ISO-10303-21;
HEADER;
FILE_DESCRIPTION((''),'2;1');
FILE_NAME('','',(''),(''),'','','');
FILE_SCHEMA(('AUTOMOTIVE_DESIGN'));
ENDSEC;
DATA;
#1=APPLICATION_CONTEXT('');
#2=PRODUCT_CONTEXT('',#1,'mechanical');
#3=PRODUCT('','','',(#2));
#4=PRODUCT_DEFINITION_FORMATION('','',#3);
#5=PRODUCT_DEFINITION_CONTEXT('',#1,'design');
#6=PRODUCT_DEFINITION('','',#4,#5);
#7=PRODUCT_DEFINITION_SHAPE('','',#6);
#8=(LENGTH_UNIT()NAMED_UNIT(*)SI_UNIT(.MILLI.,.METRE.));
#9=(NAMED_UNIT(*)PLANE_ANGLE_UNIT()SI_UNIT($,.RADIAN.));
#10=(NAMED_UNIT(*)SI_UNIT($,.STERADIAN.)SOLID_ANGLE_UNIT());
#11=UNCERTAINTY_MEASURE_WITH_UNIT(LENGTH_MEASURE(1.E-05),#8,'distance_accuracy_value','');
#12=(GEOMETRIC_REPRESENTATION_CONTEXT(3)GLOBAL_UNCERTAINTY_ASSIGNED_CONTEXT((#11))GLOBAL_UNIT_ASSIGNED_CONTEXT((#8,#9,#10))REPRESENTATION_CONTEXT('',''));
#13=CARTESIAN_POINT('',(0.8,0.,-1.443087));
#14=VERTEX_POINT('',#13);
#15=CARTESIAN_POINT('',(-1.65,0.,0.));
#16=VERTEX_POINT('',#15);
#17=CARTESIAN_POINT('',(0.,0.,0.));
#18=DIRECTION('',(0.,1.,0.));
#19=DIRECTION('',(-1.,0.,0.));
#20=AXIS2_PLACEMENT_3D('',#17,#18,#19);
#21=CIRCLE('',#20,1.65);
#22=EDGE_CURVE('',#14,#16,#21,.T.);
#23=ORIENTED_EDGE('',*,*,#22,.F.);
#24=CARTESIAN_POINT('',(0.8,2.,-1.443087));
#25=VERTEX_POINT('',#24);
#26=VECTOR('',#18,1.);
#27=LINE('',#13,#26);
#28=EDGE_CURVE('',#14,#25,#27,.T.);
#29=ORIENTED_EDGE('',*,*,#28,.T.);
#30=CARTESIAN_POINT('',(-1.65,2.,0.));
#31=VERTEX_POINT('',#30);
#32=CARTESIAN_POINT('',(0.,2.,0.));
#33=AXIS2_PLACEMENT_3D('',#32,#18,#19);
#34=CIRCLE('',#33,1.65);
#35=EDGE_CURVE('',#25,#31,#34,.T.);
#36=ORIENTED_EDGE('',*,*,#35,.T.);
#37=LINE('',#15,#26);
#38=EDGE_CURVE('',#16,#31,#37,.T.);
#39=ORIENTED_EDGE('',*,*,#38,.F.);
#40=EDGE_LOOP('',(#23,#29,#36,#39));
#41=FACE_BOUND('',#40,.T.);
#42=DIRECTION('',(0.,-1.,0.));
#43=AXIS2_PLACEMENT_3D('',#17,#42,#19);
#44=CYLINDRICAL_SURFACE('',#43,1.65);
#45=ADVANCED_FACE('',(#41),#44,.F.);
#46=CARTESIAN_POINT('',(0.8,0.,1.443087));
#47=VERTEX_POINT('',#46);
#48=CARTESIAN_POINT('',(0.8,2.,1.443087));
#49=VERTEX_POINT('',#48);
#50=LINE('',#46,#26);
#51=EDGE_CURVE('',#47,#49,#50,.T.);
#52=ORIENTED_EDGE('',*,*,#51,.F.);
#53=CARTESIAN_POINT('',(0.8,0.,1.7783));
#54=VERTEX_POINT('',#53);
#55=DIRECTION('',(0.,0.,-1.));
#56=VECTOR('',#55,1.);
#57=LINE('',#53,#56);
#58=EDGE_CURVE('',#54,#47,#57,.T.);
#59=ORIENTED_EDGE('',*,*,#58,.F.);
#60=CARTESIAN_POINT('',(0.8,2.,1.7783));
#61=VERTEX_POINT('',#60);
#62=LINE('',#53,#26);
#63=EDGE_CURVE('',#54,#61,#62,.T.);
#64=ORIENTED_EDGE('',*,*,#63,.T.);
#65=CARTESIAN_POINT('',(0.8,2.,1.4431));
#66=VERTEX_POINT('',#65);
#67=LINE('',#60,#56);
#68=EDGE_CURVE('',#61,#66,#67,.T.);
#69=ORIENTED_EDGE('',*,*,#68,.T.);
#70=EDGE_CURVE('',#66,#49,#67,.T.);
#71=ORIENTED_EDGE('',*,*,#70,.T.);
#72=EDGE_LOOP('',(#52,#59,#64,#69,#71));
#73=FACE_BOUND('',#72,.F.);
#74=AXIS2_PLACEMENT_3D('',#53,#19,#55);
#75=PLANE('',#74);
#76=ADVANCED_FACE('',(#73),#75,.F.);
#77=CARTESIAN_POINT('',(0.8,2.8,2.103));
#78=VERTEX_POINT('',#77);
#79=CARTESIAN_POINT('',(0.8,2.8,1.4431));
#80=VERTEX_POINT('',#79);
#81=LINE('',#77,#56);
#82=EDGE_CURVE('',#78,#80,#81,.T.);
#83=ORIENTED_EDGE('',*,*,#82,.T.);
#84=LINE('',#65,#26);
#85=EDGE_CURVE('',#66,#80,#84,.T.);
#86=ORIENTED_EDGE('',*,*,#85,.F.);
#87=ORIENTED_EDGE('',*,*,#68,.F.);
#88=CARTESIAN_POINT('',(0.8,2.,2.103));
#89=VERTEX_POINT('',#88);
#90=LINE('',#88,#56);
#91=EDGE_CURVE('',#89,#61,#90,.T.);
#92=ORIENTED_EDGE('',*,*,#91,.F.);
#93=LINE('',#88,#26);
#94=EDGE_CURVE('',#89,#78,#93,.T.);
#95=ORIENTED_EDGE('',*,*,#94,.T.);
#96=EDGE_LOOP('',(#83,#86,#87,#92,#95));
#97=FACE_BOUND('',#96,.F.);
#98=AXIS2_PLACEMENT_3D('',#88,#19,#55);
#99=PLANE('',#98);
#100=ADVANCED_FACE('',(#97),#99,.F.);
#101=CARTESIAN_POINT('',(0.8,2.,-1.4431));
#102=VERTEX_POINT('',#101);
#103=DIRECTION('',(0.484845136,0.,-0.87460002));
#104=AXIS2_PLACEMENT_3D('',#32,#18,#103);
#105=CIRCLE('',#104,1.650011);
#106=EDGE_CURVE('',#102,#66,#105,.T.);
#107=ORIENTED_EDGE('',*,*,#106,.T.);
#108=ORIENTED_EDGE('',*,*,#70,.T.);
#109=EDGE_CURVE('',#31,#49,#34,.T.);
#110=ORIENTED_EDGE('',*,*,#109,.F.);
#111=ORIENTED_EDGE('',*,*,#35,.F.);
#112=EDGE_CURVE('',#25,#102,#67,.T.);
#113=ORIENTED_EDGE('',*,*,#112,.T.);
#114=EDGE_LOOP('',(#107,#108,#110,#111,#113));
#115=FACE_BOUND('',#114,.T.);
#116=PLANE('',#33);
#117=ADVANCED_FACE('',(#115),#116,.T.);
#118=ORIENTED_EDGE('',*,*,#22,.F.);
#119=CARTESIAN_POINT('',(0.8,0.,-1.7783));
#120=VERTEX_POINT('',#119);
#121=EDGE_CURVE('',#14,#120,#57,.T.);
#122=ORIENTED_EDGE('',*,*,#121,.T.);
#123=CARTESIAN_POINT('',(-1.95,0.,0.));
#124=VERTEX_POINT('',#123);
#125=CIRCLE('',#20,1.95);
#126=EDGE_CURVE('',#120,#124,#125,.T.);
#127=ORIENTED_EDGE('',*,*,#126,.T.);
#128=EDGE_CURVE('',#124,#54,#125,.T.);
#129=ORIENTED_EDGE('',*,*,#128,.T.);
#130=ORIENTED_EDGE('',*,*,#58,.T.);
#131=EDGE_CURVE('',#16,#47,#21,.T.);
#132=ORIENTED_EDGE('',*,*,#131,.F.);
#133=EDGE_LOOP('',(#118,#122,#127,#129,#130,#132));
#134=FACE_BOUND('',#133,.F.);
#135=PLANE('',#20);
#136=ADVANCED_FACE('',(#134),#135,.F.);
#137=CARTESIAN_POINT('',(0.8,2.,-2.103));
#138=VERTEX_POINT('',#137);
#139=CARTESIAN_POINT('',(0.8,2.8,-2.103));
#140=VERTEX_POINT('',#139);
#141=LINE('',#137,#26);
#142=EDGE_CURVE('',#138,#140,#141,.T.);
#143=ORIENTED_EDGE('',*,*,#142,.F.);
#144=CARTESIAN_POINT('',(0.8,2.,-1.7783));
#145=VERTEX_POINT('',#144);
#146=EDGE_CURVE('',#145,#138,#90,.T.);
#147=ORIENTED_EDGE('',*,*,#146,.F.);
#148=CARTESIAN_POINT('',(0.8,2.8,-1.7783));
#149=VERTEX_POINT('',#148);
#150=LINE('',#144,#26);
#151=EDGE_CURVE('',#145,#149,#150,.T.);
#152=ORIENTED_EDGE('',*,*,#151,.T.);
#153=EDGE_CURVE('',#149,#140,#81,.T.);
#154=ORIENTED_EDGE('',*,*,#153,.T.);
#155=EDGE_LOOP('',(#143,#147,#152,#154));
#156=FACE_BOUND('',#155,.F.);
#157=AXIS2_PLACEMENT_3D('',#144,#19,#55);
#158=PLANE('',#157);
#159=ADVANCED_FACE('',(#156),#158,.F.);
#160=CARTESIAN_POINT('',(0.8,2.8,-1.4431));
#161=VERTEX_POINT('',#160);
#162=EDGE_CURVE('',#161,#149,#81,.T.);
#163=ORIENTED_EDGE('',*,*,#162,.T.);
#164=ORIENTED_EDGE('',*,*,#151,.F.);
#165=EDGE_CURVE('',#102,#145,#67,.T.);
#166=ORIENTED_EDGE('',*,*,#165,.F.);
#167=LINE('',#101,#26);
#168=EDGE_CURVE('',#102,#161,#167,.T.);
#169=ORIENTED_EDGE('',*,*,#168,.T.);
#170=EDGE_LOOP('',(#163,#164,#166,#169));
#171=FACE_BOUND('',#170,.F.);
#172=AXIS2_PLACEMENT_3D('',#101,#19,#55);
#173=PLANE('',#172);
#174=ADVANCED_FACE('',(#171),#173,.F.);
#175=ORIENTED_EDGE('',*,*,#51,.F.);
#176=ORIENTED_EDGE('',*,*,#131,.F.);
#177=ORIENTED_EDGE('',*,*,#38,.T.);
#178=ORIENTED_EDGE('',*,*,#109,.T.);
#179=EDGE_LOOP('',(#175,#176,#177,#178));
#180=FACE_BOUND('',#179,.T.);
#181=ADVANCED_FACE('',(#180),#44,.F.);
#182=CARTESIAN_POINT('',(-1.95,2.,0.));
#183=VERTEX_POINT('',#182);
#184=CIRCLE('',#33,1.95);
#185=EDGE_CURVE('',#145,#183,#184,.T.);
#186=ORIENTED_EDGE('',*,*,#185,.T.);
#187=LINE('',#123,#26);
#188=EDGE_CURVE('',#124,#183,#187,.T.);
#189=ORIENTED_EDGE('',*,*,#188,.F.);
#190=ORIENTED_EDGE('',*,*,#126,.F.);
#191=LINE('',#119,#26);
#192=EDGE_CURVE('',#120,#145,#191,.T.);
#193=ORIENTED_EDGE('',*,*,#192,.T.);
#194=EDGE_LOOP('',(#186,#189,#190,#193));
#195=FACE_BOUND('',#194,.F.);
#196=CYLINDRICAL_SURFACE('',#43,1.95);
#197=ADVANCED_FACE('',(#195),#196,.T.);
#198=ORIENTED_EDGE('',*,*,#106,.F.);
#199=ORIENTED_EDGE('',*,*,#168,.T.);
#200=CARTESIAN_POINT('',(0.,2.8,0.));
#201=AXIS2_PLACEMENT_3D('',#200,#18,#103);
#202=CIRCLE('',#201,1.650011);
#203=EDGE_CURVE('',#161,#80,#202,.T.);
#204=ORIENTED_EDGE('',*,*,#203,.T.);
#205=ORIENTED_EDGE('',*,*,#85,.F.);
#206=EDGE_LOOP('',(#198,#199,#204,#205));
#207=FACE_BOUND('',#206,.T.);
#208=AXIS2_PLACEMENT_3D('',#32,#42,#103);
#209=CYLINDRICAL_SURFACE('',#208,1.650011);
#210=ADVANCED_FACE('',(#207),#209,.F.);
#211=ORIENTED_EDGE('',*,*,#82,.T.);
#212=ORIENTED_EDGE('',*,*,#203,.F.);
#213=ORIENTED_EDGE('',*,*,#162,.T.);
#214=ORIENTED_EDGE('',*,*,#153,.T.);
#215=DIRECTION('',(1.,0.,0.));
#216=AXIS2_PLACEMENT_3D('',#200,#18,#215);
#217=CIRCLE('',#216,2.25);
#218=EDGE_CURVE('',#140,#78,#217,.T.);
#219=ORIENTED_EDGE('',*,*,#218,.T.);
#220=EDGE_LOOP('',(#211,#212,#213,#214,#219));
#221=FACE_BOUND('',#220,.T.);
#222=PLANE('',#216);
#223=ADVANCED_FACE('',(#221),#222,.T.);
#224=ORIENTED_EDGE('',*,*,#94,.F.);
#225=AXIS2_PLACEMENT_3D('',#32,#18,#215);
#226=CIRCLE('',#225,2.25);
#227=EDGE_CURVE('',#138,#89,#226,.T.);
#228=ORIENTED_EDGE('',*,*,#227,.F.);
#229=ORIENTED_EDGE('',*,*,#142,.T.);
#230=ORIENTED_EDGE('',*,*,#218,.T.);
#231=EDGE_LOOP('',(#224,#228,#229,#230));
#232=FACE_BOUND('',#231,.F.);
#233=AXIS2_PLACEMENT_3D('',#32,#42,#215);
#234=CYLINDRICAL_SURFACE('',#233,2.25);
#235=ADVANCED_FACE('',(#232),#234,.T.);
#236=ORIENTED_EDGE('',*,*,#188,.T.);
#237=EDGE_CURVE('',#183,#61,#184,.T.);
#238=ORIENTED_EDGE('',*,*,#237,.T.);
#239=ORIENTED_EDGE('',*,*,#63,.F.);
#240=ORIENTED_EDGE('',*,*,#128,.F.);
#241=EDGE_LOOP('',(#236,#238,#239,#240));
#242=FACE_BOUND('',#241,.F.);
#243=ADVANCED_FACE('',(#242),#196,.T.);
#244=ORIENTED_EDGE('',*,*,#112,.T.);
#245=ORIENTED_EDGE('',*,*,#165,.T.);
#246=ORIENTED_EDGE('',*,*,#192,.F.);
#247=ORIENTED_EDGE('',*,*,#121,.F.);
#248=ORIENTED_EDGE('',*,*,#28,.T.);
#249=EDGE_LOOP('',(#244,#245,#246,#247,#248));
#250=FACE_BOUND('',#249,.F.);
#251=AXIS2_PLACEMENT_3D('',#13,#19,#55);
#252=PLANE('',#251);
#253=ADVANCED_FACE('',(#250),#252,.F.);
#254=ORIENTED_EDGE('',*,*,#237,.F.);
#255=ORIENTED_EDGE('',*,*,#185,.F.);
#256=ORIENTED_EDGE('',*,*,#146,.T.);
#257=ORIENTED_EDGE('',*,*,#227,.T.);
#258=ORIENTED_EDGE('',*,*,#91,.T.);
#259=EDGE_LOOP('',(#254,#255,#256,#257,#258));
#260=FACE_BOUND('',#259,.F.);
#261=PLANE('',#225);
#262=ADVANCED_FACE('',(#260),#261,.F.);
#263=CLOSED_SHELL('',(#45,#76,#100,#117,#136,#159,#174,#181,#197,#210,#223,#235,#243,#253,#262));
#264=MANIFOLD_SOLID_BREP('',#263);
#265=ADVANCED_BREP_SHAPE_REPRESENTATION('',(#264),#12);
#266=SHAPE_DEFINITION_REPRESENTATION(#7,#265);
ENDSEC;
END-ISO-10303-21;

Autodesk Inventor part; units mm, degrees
ref_plane "YZ Plane" through (0, 0, 0) normal (1, 0, 0) x (0, 1, 0)
ref_plane "XZ Plane" through (0, 0, 0) normal (0, 1, 0) x (-1, 0, 0)
ref_plane "XY Plane" through (0, 0, 0) normal (0, 0, 1) x (1, 0, 0)
sketch "Boceto1" plane through (0, 0, 0) normal (0, 1, 0) x (-1, 0, 0)
  circle A0 centre (0, 0) radius 1.65
  circle A1 centre (0, 0) radius 1.95
  line L0 (-0.8, 1.7783) -> (-0.8, -1.7783)
  point P0 (-0.8, 1.4431)
  point P1 (-0.8, -1.4431)
  dimension "d0" = 3.3
  dimension "d1" = 0.3
  dimension "d2" = 0.8
extrude "Extrusión1" add sketch "Boceto1" along normal blind 2 contours A0 L0 A1 picked at (1.8153, 0.2861)
sketch "Boceto2" plane through (0, 2, 0) normal (0, 1, 0) x (1, 0, 0)
  arc A0 (0.8, 1.4431) -> (0.8, -1.4431) centre (0, 0) ccw projected
  circle A1 centre (0, 0) radius 2.25
  line L0 (0.8, -2.103) -> (0.8, 2.103)
  line L1 (0.8, 1.4431) -> (0.8, 1.7783) projected
  point P0 (0.8, 1.4431)
  point P1 (0.8, -1.4431)
  dimension "d5" = 0.6
extrude "Extrusión2" add sketch "Boceto2" along normal blind 0.8 contours A0 L0 A1
properties part number "adapter"
